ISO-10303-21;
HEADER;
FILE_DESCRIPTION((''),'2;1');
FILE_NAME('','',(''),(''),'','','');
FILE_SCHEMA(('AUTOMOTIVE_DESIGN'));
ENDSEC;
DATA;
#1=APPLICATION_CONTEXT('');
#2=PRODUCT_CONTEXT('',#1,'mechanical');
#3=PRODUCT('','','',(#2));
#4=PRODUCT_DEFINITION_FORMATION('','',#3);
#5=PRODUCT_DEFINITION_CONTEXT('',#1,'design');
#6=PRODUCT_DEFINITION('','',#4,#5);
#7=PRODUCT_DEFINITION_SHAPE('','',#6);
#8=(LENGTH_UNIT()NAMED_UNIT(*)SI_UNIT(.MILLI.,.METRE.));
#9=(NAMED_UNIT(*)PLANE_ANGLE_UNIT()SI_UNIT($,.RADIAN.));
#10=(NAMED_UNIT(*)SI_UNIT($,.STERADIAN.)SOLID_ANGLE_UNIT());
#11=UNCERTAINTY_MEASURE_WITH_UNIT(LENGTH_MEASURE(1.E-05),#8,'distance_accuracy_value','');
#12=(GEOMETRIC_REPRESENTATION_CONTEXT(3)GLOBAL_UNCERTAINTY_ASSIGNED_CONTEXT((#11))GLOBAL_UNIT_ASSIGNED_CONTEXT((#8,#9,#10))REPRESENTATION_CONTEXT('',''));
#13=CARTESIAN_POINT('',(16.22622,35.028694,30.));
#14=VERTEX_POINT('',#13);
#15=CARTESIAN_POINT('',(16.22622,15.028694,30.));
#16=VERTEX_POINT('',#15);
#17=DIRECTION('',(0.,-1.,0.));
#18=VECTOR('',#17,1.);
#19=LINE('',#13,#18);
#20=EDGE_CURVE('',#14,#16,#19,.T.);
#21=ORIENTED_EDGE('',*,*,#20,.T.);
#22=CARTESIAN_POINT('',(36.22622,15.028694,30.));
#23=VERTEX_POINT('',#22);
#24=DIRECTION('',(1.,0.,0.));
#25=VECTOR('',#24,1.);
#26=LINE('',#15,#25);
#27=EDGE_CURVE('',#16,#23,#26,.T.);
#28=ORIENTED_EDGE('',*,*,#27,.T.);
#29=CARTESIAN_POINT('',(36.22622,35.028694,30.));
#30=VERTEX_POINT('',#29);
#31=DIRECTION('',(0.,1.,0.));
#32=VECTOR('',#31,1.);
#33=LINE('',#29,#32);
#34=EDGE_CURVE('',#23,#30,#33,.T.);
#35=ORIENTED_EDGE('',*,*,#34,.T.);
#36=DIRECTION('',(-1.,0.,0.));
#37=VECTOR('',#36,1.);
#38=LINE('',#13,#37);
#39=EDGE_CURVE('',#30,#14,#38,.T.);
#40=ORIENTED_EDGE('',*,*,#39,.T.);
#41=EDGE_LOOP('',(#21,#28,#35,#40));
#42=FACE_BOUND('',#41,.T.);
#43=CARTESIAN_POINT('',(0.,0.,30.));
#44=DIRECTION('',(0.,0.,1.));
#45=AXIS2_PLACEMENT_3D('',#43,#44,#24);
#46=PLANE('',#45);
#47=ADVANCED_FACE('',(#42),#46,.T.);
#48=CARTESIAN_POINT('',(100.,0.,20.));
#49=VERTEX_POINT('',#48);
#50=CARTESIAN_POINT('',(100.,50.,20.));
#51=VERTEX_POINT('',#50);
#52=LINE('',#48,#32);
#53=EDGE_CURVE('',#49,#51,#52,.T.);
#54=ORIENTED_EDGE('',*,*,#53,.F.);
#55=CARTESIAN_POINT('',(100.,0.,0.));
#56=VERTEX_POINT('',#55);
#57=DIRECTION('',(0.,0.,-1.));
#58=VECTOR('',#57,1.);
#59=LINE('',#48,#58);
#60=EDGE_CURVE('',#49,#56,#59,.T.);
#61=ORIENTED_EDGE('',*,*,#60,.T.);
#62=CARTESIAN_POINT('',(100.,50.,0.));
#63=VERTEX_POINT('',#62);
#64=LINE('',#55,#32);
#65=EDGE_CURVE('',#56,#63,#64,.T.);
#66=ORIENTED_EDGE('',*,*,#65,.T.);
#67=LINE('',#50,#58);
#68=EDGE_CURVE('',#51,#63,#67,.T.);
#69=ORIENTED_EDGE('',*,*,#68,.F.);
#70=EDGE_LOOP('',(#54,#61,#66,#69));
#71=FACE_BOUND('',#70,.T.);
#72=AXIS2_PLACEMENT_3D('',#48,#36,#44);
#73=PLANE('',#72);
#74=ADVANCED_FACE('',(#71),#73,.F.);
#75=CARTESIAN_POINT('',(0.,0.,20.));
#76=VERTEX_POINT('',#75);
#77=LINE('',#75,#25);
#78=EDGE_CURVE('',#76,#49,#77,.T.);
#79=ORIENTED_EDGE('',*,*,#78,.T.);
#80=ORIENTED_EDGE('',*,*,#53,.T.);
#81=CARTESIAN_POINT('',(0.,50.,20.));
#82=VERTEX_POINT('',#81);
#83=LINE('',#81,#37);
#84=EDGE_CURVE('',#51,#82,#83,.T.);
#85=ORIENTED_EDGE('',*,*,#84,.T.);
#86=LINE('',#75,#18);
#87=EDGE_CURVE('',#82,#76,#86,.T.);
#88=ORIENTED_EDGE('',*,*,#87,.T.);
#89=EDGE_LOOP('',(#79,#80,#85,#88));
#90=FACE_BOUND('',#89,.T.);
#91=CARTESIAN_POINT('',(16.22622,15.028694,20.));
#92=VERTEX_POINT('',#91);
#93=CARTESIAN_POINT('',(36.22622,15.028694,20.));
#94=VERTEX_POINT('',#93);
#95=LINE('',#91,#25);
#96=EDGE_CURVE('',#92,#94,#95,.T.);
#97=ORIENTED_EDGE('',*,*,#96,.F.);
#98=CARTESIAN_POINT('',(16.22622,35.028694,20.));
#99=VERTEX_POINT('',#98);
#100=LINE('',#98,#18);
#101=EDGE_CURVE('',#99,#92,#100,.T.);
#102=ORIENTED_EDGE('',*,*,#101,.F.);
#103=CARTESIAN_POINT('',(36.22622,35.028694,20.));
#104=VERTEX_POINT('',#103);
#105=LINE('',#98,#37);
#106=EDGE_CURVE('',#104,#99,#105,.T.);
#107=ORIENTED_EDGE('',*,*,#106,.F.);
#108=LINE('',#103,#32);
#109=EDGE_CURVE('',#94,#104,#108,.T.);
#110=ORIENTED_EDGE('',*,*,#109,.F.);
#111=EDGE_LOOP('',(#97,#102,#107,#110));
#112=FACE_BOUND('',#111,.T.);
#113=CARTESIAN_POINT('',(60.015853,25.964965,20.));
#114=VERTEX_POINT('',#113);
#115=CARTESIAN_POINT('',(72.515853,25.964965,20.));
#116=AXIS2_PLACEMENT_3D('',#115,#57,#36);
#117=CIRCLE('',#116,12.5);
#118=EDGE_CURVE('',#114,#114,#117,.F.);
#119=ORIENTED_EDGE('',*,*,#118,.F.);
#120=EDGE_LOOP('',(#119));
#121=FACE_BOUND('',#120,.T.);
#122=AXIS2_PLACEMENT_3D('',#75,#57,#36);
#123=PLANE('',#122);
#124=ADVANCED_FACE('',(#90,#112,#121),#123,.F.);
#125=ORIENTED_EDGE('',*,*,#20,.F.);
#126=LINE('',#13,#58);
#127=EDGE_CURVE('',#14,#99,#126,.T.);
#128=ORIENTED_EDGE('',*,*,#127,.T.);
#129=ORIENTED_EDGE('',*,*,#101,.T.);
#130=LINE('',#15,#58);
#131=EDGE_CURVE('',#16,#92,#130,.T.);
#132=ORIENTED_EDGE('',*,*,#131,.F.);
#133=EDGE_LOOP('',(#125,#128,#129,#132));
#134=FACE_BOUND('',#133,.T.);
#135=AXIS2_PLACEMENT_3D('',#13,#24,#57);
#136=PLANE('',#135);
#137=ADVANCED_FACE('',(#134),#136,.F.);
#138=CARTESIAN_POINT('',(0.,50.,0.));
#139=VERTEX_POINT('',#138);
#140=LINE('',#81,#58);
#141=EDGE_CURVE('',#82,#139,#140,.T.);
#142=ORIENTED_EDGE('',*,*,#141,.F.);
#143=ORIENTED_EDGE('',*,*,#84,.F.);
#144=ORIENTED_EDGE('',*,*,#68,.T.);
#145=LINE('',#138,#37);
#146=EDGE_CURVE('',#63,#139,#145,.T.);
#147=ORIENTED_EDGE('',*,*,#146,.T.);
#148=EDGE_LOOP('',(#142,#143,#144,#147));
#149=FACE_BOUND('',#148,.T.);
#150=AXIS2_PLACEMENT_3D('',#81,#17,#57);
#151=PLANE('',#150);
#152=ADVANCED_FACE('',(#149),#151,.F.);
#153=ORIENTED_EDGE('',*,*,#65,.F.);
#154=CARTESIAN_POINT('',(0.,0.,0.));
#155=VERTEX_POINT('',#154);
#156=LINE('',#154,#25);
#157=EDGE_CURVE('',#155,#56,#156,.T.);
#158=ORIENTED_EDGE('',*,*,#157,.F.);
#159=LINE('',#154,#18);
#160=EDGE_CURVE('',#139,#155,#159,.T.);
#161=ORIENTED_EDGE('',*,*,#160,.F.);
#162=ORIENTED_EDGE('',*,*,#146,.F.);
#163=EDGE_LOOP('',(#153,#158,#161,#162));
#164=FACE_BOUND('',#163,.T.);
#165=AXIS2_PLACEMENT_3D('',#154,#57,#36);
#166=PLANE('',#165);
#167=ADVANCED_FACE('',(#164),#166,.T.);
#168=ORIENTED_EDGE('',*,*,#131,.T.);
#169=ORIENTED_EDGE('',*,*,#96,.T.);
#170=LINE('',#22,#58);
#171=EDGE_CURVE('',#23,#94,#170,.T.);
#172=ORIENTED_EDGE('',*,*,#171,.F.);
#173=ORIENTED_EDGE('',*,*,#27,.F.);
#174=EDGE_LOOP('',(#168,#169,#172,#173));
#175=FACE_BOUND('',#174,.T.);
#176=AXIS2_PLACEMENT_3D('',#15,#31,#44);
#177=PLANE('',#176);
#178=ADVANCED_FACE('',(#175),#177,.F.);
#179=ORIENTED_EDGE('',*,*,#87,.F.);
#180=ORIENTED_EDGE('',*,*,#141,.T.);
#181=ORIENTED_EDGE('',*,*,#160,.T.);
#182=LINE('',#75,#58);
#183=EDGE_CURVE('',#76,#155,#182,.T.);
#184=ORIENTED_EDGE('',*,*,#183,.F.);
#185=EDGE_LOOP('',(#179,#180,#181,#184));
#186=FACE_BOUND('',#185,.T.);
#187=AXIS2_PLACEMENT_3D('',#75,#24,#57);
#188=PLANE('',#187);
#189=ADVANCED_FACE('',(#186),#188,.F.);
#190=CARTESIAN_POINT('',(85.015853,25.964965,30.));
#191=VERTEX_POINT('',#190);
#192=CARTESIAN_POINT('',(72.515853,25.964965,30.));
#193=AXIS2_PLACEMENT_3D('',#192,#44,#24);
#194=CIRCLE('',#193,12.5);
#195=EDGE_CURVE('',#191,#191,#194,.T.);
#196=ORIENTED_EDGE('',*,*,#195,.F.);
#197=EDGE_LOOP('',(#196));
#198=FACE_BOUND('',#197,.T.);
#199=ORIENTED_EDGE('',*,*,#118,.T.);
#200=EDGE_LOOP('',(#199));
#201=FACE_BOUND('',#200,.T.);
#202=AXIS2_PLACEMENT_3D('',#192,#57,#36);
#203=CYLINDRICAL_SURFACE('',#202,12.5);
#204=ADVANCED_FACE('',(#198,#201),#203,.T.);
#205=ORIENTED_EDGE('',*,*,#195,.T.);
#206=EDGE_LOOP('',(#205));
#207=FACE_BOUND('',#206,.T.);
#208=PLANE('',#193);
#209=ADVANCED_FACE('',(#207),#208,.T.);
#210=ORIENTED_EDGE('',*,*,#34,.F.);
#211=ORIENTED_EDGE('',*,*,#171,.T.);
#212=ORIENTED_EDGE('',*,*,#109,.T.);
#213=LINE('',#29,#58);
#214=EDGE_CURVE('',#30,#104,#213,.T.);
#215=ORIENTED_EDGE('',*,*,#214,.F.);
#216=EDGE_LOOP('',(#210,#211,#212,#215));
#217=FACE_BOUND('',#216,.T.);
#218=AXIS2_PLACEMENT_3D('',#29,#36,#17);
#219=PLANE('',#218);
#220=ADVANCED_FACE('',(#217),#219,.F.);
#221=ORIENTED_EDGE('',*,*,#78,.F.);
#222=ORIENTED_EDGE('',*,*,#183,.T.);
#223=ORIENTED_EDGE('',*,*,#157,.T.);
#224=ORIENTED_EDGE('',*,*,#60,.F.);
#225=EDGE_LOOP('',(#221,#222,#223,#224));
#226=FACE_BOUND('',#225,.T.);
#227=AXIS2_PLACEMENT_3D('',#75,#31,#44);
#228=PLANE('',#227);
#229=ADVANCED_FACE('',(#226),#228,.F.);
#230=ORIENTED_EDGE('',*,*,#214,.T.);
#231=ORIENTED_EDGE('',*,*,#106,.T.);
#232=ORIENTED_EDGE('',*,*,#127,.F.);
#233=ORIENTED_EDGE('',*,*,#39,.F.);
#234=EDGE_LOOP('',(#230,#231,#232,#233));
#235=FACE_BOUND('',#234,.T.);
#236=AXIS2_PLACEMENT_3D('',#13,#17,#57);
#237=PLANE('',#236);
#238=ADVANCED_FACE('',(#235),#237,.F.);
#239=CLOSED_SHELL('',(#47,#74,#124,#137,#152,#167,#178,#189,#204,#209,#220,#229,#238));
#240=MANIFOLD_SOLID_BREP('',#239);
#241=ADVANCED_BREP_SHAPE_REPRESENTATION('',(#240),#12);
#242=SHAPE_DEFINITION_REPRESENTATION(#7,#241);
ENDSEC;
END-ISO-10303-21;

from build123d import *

# Parameters (mm, degrees)
SKETCH1_W           = 100
SKETCH1_H           = 50
BOSS_EXTRUDE1_DEPTH = 20
SKETCH2_R           = 12.5
SKETCH2_W           = 20
SKETCH2_H           = 20
BOSS_EXTRUDE2_DEPTH = 10


with BuildPart() as part:
    # Sketch1 → Boss-Extrude1 (new body)
    with BuildSketch(Plane.XY):
        with Locations((50, 25)):
            Rectangle(SKETCH1_W, SKETCH1_H)
    extrude(amount=BOSS_EXTRUDE1_DEPTH)

    # Sketch2 → Boss-Extrude2 (add)
    with BuildSketch(Plane.XY.offset(20)):
        with Locations((72.515853305, 25.964965142)):
            Circle(SKETCH2_R)
        with Locations((26.226220042, 25.028693536)):
            Rectangle(SKETCH2_W, SKETCH2_H)
    extrude(amount=BOSS_EXTRUDE2_DEPTH)


solid = part.part
